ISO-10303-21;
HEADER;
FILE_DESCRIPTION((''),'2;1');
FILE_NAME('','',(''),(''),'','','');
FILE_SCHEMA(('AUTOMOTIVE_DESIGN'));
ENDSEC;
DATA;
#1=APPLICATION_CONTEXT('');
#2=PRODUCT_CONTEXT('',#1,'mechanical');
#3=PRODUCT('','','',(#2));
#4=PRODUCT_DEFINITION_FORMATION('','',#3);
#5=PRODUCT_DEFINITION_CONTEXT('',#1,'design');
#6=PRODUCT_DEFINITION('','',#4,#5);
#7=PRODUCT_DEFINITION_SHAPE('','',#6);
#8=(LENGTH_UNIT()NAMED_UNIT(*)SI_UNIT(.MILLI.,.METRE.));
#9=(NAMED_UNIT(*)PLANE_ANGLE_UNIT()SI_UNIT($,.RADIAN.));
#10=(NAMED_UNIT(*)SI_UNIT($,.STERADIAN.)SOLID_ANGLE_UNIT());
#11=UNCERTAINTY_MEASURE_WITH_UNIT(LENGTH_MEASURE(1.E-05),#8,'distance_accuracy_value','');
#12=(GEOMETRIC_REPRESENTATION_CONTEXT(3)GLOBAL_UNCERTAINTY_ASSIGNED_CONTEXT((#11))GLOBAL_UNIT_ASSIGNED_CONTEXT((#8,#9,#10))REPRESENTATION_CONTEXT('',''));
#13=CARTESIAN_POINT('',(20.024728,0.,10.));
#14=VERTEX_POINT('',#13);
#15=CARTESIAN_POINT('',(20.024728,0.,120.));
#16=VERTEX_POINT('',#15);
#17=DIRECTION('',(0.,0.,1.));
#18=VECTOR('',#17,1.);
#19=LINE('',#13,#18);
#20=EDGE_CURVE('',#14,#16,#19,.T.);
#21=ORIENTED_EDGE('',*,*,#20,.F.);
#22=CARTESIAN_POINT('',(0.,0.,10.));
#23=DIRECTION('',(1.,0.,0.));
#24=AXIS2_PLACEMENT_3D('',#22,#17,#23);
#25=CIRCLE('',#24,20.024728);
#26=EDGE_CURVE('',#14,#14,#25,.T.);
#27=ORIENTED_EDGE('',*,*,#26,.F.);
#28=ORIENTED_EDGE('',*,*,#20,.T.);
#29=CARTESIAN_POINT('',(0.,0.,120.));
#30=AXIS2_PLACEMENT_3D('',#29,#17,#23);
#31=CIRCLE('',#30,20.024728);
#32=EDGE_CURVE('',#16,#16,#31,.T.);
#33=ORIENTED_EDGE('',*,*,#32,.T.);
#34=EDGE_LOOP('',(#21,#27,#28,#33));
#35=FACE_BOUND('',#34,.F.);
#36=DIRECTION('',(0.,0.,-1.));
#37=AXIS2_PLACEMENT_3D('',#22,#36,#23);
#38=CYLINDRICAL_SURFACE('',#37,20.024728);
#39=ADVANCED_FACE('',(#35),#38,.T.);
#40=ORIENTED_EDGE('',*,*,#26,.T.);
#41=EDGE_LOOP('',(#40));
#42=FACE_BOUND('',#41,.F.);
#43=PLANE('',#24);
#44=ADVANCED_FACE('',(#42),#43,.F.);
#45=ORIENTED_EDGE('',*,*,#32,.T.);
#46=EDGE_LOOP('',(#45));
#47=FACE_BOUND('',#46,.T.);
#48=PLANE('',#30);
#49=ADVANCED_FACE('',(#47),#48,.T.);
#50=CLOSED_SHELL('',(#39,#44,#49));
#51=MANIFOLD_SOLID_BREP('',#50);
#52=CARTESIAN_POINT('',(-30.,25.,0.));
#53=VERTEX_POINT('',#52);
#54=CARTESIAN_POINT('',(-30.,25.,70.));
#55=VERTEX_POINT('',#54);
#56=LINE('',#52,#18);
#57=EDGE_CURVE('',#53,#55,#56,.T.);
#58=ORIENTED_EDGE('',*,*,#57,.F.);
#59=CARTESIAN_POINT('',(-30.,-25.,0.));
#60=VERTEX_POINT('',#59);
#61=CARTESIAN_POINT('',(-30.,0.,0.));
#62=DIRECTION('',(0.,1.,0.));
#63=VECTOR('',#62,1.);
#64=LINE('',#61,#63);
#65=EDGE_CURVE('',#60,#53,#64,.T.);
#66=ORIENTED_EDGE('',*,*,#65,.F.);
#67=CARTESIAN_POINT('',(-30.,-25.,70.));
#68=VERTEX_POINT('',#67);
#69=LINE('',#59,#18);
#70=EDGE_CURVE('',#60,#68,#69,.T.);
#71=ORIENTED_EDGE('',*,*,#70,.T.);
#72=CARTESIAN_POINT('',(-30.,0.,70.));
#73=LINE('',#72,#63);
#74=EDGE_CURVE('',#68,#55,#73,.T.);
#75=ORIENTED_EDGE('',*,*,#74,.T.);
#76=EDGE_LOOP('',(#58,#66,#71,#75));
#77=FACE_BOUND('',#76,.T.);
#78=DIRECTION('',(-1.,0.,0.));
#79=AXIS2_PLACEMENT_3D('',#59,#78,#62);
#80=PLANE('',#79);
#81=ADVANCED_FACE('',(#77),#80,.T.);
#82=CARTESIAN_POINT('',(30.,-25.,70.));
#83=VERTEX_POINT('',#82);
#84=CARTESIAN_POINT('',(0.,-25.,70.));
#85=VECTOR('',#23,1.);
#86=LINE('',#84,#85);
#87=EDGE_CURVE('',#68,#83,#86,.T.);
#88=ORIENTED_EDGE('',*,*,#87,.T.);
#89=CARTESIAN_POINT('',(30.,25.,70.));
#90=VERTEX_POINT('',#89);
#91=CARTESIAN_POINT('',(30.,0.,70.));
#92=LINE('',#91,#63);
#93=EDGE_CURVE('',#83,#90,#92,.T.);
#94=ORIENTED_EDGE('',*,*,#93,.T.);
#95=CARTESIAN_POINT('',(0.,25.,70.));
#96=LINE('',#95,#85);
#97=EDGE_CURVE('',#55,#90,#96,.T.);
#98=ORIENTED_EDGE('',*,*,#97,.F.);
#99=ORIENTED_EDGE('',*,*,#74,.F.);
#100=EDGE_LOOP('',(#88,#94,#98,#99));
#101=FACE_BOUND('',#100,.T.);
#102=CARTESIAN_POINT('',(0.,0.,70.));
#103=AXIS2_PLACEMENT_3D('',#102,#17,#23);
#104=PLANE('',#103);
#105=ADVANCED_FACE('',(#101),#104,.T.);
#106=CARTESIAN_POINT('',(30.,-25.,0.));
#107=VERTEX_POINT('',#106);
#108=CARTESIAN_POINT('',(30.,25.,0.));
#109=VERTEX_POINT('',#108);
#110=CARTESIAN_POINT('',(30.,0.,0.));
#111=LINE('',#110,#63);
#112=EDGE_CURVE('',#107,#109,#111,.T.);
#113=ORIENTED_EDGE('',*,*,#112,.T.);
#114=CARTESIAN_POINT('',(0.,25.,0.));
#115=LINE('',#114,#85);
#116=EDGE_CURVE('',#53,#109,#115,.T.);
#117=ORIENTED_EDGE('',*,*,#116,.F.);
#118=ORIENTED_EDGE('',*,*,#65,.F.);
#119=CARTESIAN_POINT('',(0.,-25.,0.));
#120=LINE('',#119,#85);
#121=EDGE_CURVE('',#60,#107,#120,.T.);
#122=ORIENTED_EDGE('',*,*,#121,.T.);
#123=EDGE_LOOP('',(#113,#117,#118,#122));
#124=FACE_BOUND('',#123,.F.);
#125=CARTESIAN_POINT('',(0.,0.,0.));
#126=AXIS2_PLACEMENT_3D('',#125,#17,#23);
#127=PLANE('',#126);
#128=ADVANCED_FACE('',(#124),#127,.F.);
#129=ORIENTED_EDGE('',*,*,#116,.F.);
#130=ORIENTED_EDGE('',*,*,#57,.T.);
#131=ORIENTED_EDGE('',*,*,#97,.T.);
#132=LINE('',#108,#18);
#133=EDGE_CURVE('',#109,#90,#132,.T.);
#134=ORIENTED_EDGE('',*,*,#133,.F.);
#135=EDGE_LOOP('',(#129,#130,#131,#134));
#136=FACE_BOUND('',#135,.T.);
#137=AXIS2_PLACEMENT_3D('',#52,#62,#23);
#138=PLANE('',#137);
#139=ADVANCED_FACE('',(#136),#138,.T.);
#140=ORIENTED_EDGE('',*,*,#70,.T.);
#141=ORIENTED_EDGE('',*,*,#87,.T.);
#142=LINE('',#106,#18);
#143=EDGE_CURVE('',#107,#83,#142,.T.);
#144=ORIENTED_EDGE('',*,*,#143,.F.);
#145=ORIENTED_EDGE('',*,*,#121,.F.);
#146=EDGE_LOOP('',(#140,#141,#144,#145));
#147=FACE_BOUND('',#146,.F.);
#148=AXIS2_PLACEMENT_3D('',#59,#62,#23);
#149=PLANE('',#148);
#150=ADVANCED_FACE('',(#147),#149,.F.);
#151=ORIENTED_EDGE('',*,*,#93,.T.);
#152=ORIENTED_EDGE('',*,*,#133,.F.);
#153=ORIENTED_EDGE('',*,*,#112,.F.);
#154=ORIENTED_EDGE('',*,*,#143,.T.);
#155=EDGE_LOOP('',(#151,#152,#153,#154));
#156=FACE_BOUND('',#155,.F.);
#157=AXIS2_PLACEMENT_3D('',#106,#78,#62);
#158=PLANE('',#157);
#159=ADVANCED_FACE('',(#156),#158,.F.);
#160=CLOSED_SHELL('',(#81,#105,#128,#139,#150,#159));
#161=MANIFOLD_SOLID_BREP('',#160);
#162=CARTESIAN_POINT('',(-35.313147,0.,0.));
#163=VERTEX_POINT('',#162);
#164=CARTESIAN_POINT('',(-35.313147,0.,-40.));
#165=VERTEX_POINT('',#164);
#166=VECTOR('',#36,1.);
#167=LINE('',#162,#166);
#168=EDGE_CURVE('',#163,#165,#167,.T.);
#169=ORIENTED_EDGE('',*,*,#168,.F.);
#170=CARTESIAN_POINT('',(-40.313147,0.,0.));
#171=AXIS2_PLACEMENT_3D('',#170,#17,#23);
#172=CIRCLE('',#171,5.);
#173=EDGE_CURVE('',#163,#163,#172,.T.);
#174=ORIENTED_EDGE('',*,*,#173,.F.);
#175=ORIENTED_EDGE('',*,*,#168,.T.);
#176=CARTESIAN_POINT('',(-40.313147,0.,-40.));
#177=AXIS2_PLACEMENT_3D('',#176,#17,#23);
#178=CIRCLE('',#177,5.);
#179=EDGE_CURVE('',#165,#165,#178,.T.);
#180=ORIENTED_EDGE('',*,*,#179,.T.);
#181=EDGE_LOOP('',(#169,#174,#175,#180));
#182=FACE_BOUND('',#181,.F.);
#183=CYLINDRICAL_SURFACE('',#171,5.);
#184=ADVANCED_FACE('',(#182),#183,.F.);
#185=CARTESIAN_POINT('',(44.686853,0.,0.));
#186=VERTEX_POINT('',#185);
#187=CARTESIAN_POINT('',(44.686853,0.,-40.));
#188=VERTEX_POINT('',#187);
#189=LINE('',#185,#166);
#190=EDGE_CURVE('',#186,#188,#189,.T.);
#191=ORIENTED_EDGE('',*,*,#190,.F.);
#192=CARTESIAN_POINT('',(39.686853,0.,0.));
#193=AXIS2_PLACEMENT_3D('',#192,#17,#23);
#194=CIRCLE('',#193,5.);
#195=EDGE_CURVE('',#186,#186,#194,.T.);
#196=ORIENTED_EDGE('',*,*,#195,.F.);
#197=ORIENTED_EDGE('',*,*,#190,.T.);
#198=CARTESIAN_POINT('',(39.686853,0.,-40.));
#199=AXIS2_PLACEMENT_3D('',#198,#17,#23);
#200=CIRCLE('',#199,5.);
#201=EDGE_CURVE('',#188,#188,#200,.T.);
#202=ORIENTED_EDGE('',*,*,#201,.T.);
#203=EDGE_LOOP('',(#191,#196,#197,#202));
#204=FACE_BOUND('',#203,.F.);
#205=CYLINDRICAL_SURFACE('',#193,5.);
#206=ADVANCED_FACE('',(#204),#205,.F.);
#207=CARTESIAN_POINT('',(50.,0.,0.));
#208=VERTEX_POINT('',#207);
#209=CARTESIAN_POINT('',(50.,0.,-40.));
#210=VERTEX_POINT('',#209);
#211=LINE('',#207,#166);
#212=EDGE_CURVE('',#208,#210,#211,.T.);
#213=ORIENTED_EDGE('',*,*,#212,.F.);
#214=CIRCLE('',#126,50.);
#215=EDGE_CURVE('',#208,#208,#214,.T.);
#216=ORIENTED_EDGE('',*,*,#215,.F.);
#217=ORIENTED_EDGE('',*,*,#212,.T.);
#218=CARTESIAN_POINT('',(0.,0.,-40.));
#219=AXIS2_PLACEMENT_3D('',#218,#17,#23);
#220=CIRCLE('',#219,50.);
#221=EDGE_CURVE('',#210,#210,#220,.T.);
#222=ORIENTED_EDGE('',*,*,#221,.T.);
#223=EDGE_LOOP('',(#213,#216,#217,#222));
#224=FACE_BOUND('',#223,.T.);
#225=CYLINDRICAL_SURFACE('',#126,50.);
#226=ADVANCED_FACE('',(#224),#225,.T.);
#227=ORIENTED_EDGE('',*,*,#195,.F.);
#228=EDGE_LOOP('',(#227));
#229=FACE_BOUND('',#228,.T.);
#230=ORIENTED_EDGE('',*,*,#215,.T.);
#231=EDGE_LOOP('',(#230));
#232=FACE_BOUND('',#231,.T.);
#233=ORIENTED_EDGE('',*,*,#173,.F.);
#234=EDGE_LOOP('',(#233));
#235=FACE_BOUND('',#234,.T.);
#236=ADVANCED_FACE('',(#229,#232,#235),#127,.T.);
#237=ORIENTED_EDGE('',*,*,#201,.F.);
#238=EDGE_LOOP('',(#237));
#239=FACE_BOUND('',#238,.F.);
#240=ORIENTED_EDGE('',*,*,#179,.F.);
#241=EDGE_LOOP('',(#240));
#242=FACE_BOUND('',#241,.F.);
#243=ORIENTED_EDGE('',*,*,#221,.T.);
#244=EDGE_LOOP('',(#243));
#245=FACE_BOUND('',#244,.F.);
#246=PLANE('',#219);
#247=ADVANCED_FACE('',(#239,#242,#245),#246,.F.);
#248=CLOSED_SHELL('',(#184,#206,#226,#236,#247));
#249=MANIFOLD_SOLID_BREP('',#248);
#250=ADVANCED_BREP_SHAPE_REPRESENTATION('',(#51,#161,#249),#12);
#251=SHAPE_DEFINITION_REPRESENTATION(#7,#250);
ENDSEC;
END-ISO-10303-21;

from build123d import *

# Parameters (mm, degrees)
SKETCH001_R       = 50
PAD_DEPTH         = 40
SKETCH004_R       = 5
POCKET_DEPTH      = 0.001
POCKET_DEPTH_BACK = 40.001
SKETCH002_W       = 60
SKETCH002_H       = 50
PAD001_DEPTH      = 70
PAD002_START      = 10
SKETCH003_R       = 20.024728
PAD002_DEPTH      = 110


with BuildPart() as bottom:
    # Sketch001 (on Sketch) → Pad (new body)
    with BuildSketch(Plane.XY):
        Circle(SKETCH001_R)
    extrude(amount=-PAD_DEPTH)

    # Sketch004 → Pocket (cut, two sides)
    with BuildSketch(Plane.XY) as pocket_sk:
        with Locations((-40.313147, 0)):
            Circle(SKETCH004_R)
        with Locations((39.686853, 0)):
            Circle(SKETCH004_R)
    extrude(amount=POCKET_DEPTH, mode=Mode.SUBTRACT)
    extrude(pocket_sk.sketch, amount=-POCKET_DEPTH_BACK, mode=Mode.SUBTRACT)


with BuildPart() as body:
    # Sketch002 → Pad001 (new body)
    with BuildSketch(Plane.XY):
        Rectangle(SKETCH002_W, SKETCH002_H)
    extrude(amount=PAD001_DEPTH)


with BuildPart() as top:
    # Sketch003 → Pad002 (new body)
    with BuildSketch(Plane.XY.offset(PAD002_START)):
        Circle(SKETCH003_R)
    extrude(amount=PAD002_DEPTH)


solid = Compound([bottom.part, body.part, top.part])
